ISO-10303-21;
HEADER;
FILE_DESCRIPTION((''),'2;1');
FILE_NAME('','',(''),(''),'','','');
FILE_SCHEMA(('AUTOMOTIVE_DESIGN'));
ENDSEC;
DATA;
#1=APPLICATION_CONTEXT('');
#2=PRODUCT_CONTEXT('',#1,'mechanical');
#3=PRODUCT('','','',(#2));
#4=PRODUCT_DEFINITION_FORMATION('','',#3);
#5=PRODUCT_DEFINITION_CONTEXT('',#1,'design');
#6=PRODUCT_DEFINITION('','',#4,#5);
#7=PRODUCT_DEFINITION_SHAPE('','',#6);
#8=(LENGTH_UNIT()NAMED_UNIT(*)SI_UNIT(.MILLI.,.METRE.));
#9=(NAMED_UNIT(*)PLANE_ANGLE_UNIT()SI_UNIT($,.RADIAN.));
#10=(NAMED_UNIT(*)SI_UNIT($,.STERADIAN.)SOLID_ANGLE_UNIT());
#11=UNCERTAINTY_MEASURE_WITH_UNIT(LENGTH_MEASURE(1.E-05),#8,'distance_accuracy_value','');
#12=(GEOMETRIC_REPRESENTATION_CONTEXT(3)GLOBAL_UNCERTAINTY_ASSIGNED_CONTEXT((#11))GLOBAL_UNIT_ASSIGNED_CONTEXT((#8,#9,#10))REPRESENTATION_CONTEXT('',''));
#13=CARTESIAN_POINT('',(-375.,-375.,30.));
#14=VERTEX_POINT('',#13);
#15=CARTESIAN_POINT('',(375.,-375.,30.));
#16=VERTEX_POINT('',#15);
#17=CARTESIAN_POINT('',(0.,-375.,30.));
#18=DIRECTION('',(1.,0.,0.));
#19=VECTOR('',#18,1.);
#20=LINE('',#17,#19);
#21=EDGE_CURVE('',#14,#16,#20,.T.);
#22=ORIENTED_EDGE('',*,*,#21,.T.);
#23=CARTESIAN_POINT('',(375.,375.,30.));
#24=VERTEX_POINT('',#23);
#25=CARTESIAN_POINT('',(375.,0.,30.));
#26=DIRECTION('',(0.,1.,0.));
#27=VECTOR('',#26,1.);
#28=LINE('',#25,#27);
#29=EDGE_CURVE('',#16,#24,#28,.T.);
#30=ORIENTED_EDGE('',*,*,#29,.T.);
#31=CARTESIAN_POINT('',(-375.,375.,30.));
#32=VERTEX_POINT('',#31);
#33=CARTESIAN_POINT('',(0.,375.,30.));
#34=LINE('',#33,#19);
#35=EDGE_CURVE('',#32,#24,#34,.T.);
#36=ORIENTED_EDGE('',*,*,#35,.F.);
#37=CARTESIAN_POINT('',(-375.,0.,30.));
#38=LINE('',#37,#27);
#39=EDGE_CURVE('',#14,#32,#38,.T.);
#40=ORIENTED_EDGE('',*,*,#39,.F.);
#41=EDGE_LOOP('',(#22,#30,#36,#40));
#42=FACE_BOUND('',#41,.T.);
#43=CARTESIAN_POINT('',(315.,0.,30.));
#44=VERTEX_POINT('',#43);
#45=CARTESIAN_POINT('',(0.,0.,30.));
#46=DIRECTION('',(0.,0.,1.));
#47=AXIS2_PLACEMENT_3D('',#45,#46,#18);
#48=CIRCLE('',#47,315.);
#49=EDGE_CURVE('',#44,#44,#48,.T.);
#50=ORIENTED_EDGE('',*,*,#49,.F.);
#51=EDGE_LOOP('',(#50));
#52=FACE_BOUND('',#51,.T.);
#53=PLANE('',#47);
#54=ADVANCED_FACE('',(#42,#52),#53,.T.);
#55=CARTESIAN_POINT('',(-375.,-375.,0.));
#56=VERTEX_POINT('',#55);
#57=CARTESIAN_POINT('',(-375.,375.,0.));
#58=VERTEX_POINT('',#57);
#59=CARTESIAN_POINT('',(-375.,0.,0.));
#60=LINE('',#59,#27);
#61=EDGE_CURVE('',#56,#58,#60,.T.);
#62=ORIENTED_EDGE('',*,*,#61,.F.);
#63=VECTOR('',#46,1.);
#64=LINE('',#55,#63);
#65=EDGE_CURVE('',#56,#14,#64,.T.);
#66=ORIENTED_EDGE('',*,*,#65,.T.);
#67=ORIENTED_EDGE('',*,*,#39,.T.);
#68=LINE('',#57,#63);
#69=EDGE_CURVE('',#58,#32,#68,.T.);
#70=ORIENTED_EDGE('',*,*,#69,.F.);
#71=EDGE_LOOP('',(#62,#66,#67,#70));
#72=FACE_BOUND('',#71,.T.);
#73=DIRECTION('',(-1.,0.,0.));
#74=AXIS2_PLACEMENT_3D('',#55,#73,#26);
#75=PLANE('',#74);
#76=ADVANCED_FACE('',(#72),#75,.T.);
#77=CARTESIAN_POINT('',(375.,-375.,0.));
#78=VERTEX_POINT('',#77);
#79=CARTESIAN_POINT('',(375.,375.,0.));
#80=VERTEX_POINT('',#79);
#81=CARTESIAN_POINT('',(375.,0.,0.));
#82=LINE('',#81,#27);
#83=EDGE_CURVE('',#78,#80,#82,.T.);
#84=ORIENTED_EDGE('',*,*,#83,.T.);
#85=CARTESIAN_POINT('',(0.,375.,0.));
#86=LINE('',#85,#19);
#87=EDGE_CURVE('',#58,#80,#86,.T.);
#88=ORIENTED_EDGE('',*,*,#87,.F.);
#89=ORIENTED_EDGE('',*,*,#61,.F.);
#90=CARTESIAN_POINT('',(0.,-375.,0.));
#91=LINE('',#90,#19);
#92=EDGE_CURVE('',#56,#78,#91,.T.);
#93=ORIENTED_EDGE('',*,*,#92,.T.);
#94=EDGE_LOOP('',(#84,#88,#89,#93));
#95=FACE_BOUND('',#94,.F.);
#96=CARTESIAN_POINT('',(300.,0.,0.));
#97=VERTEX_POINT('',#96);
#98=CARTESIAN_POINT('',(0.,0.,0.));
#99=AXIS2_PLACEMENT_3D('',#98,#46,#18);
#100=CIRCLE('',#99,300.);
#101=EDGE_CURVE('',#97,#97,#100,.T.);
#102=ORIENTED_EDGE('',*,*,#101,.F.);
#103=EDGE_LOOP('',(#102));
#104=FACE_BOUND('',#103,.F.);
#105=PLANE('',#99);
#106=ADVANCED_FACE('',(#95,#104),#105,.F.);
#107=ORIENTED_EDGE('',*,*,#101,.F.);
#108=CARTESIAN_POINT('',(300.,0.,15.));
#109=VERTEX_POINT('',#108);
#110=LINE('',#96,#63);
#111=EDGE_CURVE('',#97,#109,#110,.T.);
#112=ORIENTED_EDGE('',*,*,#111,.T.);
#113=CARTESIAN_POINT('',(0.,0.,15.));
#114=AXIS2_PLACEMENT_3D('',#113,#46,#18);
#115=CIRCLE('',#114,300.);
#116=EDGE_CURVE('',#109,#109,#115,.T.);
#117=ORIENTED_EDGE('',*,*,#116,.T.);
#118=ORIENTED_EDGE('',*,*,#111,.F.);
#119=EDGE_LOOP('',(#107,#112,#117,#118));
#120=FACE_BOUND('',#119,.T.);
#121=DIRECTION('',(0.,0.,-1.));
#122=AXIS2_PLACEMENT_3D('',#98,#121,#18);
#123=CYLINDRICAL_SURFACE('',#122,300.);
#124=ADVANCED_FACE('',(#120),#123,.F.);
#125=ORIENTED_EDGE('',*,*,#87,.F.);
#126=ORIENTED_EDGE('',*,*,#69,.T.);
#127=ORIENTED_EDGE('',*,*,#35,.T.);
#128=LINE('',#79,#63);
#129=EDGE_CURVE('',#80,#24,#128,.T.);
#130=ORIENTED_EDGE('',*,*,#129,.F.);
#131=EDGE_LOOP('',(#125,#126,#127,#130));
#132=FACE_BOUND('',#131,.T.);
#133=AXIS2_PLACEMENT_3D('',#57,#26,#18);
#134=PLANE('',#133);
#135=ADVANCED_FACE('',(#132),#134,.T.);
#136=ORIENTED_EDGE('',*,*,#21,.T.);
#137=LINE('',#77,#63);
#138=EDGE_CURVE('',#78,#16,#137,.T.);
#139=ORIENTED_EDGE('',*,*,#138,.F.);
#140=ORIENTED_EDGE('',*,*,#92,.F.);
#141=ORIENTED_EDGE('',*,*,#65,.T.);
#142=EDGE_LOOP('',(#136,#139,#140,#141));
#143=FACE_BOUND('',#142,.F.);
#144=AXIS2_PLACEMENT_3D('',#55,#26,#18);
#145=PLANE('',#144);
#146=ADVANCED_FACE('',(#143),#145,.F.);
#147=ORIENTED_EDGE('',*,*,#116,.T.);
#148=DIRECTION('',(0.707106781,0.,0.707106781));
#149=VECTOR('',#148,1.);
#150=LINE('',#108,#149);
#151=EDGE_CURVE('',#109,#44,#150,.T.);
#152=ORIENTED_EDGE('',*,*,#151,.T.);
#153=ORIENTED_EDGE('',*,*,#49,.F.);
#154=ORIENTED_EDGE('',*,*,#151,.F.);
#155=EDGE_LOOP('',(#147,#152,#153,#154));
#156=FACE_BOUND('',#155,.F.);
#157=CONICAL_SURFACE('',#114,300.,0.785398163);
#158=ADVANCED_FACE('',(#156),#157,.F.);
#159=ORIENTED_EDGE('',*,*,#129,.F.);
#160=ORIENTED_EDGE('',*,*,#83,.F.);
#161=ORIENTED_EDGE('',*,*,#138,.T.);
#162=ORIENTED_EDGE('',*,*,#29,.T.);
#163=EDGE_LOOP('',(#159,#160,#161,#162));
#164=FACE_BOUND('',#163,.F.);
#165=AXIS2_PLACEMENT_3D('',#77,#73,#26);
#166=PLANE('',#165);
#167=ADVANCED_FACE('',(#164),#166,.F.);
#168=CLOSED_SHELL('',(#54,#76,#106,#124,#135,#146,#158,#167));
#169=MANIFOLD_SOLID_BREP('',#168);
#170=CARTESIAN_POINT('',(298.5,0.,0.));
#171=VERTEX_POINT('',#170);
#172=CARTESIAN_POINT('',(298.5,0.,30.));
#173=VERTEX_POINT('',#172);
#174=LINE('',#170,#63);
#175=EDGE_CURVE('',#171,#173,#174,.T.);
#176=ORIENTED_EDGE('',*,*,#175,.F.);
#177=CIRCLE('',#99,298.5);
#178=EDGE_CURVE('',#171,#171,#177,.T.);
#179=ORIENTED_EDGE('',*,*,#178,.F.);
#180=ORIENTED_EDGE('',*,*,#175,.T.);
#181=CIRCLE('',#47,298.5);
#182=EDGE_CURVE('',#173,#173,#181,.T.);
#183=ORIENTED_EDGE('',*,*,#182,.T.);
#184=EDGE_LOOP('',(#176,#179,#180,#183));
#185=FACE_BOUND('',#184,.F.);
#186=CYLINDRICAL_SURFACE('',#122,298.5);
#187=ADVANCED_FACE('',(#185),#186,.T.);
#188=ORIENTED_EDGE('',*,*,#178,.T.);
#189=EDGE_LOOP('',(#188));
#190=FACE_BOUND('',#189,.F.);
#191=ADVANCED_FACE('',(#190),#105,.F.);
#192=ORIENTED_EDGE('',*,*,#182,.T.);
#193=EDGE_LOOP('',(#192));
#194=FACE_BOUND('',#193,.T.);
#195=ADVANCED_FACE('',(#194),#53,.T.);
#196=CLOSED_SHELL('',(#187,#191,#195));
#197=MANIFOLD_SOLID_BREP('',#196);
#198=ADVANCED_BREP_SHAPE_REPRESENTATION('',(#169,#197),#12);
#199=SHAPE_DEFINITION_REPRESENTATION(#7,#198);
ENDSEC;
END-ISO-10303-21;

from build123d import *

# Parameters (mm, degrees)
F0_W     = 750
F0_H     = 750
F0_R     = 300
F0_R_2   = 298.5
F1_DEPTH = 30
F2_SIZE  = 15


with BuildPart() as f1:
    # F0 (on Top) → F1 (new body)
    with BuildSketch(Plane.XY):
        Rectangle(F0_W, F0_H)
        Circle(F0_R, mode=Mode.SUBTRACT)
        Circle(F0_R_2)
    extrude(amount=F1_DEPTH)

    # F2
    f2_edges = [f1.edges().sort_by_distance(p)[0] for p in [
        (-300, 0, 30),
    ]]
    chamfer(f2_edges, length=F2_SIZE)


solid = f1.part
